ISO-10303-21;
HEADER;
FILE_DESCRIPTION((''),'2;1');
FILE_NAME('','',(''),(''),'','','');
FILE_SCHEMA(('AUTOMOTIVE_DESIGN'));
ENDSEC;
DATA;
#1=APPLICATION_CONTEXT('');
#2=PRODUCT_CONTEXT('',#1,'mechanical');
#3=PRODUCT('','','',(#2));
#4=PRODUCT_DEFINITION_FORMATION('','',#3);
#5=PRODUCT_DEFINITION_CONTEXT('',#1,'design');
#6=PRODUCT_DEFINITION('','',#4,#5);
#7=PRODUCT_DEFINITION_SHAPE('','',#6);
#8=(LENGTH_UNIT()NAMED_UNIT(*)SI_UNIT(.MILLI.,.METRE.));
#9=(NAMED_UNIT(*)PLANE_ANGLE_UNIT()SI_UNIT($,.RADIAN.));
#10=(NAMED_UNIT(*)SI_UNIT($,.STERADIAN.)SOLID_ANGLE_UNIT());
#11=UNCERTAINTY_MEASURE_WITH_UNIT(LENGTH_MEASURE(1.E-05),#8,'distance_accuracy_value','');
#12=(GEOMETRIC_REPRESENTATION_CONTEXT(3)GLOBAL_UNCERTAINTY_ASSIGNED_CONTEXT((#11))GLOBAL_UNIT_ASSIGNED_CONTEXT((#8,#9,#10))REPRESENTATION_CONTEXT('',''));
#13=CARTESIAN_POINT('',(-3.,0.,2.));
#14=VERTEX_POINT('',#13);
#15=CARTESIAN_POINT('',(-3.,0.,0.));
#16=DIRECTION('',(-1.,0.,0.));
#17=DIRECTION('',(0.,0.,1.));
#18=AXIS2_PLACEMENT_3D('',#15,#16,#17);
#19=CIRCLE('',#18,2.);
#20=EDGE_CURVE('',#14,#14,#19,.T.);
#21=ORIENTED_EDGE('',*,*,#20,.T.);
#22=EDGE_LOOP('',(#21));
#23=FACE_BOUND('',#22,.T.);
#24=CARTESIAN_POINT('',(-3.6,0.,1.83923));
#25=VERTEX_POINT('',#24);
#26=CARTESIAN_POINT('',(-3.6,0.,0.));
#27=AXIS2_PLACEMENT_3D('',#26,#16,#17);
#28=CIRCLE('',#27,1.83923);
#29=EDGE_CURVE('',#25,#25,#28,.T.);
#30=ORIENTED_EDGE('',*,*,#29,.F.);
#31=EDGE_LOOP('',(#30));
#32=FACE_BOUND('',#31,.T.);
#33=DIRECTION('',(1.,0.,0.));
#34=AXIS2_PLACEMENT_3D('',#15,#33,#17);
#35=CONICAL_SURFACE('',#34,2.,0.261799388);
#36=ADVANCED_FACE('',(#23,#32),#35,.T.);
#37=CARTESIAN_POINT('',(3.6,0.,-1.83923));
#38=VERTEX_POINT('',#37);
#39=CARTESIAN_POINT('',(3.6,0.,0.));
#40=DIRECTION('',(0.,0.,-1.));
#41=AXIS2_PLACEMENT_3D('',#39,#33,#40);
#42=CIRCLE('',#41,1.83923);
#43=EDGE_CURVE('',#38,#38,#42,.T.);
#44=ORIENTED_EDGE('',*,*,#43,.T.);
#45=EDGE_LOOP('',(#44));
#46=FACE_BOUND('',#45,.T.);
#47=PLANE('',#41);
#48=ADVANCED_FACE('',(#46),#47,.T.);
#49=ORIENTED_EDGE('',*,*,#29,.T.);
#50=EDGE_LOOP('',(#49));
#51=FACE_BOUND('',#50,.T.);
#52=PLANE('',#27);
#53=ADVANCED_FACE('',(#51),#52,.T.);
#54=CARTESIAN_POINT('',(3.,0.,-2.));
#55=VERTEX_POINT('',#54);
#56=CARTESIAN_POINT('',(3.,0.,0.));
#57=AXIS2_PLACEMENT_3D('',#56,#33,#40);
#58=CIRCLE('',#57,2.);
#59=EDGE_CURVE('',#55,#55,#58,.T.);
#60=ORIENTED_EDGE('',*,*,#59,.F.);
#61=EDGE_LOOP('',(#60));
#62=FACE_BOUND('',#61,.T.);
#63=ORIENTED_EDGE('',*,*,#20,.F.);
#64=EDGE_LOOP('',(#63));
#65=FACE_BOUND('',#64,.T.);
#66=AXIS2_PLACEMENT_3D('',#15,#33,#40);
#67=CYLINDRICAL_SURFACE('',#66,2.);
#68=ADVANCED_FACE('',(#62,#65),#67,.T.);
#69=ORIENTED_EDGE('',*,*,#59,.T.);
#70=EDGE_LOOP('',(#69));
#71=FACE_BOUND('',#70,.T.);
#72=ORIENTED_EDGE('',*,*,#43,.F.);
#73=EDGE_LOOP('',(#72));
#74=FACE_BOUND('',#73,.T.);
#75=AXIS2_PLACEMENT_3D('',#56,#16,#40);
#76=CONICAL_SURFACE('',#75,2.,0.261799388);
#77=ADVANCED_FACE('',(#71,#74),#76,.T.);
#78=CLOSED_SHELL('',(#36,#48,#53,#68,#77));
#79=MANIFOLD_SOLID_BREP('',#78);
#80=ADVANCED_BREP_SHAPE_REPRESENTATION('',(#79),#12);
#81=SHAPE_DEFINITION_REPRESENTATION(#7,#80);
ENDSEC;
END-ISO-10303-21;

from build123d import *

# Parameters (mm, degrees)
SKETCH2_R           = 2
EXTRUDE1_DEPTH      = 3
EXTRUDE1_DEPTH_BACK = 3
SKETCH3_R           = 2
EXTRUDE2_DEPTH      = 0.6
EXTRUDE2_TAPER      = 15
SKETCH4_R           = 2
EXTRUDE3_DEPTH      = 0.6
EXTRUDE3_TAPER      = 15


with BuildPart() as part:
    # Sketch2 → Extrude1 (new body, two sides)
    with BuildSketch(Plane(origin=(0, 0, 0), x_dir=(0, 0, -1), z_dir=(1, 0, 0))) as extrude1_sk:
        Circle(SKETCH2_R)
    extrude(amount=EXTRUDE1_DEPTH)
    extrude(extrude1_sk.sketch, amount=-EXTRUDE1_DEPTH_BACK)

    # Sketch3 → Extrude2 (add)
    with BuildSketch(Plane(origin=(3, 0, 0), x_dir=(0, 0, -1), z_dir=(1, 0, 0))):
        Circle(SKETCH3_R)
    extrude(amount=EXTRUDE2_DEPTH, taper=EXTRUDE2_TAPER)

    # Sketch4 → Extrude3 (add)
    with BuildSketch(Plane.ZY.offset(3)):
        Circle(SKETCH4_R)
    extrude(amount=EXTRUDE3_DEPTH, taper=EXTRUDE3_TAPER)


solid = part.part
